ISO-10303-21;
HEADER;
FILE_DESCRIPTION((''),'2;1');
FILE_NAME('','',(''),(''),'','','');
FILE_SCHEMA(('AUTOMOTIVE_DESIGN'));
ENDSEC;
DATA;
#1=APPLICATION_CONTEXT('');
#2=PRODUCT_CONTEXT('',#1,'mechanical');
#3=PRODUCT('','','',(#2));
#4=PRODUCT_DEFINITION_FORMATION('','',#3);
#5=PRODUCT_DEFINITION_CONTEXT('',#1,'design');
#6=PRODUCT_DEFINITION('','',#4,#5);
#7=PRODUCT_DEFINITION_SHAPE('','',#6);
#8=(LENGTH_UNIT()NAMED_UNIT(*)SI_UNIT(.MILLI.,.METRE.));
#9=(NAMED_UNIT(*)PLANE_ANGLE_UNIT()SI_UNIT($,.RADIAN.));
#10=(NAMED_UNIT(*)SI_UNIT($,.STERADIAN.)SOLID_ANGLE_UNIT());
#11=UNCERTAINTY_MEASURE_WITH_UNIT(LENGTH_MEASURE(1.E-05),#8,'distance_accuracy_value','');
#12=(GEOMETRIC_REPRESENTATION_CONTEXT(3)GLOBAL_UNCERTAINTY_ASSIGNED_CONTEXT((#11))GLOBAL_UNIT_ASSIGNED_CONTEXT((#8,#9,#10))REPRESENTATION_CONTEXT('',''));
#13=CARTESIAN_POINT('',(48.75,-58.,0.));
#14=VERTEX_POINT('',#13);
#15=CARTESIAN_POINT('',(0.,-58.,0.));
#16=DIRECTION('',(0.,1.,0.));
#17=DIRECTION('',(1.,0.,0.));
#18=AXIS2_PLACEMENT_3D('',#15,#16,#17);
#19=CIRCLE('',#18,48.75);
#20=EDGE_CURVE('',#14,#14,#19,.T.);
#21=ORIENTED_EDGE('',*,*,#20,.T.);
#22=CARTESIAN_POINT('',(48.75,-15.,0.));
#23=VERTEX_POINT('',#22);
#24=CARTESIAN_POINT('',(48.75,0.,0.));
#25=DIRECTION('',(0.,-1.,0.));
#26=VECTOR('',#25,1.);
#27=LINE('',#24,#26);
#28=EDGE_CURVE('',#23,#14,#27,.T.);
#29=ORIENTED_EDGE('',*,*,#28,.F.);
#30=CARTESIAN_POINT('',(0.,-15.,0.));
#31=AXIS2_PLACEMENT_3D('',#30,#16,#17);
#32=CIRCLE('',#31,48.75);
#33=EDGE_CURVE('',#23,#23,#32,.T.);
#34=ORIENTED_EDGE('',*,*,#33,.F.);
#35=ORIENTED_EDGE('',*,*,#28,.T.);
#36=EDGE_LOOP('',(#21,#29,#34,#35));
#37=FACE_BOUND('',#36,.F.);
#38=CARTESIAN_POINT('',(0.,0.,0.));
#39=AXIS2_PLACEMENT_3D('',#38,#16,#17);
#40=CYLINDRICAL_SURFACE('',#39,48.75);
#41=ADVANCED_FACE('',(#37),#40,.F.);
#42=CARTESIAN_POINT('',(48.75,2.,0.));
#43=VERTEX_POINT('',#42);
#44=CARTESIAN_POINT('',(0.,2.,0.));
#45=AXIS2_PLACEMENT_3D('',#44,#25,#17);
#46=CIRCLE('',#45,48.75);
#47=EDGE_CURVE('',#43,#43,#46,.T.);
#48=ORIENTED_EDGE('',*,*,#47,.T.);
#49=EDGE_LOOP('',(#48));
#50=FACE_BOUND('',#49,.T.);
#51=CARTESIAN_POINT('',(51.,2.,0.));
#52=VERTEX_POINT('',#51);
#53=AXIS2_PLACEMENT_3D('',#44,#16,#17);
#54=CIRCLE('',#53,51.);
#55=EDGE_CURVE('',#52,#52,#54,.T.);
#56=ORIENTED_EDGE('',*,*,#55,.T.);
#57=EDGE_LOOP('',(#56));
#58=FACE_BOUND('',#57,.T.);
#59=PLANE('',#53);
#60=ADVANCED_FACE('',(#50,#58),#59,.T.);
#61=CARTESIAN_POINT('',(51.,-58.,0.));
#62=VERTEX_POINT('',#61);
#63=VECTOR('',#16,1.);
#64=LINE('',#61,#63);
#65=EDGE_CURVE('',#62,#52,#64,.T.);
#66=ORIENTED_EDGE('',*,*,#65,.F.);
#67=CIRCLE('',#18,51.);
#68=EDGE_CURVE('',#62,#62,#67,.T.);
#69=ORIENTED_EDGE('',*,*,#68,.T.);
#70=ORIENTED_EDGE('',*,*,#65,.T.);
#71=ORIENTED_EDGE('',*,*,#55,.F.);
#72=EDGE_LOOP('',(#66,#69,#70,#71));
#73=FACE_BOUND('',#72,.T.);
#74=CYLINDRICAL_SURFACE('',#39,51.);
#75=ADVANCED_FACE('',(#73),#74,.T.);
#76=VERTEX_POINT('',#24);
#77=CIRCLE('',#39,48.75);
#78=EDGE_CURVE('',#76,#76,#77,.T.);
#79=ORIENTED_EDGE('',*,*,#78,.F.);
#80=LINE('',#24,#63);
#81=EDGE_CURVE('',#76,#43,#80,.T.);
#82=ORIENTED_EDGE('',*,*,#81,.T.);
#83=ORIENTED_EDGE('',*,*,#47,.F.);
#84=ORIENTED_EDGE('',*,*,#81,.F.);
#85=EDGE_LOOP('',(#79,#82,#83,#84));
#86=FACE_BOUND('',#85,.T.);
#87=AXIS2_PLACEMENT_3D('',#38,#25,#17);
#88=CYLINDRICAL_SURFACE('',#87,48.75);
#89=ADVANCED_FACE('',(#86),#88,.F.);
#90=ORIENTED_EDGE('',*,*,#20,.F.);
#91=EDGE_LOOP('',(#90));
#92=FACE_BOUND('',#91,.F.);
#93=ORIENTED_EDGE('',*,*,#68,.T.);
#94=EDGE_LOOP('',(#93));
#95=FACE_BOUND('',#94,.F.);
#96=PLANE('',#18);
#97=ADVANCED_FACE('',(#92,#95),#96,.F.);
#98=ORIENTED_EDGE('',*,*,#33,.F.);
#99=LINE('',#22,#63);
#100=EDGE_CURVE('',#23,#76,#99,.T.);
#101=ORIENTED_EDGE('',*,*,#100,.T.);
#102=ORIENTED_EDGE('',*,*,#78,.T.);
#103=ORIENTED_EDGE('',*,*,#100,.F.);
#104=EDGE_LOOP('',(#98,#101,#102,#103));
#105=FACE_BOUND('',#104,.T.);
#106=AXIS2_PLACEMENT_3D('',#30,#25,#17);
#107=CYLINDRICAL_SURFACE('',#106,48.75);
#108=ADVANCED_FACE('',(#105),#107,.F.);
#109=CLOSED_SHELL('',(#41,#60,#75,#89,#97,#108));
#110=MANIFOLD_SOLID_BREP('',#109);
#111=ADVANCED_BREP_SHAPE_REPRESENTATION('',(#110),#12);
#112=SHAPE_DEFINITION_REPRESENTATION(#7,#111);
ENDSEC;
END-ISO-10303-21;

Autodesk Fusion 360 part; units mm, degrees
sketch "Sketch1" plane through (0, 0, 0) normal (0, 1, 0) x (1, 0, 0)
  circle A0 centre (0, 0) radius 51
  circle A1 centre (0, 0) radius 48.75
  circle A2 centre (0, 0) radius 38
  dimension "d1" = 102
  dimension "d2" = 97.5
  dimension "d3" = 76
extrude "Extrude1" add sketch "Sketch1" along normal blind 2 contours A0 | A1 | A2
extrude "Extrude2" add sketch "Sketch1" against normal blind 15 contours A1
extrude "Extrude3" add sketch "Sketch1" against normal blind 58 contours A0
extrude "Extrude4" cut 1 faces at (44.8437, -15, 4.3098) along direction (0, 1, 0) up to surface (15 mm away)
extrude "Extrude5" cut sketch "Sketch1" along normal blind 20 contours A1 | A2
